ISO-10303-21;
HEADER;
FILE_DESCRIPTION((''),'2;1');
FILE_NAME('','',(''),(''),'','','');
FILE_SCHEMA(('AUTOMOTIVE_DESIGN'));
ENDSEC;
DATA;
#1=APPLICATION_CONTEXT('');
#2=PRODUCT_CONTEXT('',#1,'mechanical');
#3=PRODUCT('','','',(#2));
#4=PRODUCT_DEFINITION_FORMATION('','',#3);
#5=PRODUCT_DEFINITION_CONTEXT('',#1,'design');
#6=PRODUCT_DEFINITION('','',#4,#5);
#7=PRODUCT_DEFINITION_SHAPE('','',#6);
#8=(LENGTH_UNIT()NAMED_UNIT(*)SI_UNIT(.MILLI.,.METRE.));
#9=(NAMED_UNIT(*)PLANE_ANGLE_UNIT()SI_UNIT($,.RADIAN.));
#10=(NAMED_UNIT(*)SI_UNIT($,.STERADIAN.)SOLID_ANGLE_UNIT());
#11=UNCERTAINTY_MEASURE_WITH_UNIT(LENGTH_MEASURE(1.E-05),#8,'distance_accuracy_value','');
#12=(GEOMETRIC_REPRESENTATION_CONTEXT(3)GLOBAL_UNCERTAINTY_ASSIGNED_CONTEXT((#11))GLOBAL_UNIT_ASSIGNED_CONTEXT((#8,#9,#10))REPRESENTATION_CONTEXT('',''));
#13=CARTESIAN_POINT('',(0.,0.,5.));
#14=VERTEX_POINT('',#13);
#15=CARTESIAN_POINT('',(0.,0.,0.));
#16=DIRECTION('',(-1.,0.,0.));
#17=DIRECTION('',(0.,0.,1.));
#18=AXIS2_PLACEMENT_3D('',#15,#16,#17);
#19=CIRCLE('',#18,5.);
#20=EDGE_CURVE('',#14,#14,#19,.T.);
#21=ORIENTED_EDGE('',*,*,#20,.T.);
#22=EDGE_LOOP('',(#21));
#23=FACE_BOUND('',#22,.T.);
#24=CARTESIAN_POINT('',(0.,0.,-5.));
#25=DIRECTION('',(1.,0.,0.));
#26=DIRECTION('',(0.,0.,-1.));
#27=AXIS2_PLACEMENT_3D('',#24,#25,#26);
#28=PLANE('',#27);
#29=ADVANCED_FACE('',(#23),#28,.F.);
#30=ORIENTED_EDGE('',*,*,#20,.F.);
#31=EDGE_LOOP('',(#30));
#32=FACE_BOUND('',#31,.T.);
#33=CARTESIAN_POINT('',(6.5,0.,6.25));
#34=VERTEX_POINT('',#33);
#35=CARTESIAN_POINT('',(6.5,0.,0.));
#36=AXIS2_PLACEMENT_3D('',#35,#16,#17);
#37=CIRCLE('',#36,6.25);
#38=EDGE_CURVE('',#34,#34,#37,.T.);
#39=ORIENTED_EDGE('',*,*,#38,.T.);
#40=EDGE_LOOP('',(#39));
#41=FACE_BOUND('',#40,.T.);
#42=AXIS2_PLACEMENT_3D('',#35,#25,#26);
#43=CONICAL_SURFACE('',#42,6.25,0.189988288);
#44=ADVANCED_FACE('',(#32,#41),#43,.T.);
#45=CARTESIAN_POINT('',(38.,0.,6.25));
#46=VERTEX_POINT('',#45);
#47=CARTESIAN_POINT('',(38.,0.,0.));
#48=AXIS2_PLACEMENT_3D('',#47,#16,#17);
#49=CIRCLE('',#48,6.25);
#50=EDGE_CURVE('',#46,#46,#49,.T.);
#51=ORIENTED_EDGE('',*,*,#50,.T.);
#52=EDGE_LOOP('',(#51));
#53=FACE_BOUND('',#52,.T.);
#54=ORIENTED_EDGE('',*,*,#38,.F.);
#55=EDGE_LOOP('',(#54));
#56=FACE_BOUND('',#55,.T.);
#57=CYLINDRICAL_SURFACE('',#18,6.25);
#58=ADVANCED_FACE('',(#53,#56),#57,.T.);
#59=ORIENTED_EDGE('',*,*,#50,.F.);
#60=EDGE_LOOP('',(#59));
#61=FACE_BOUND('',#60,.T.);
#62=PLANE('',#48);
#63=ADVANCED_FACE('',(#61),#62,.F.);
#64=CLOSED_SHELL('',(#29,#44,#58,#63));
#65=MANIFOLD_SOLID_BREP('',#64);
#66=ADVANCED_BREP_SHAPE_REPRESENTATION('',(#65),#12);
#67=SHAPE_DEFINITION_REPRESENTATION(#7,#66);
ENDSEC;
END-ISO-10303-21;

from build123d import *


with BuildPart() as part:
    # Sketch1 → Revolve1 (revolve)
    with BuildSketch(Plane(origin=(0, 0, 0), x_dir=(1, 0, 0), z_dir=(0, 1, 0))):
        Polygon((0, 0), (38, 0), (38, 6.25), (6.5, 6.25), (0, 5), align=None)
    revolve(axis=Axis((0, 0, 0), (1, 0, 0)))


solid = part.part
